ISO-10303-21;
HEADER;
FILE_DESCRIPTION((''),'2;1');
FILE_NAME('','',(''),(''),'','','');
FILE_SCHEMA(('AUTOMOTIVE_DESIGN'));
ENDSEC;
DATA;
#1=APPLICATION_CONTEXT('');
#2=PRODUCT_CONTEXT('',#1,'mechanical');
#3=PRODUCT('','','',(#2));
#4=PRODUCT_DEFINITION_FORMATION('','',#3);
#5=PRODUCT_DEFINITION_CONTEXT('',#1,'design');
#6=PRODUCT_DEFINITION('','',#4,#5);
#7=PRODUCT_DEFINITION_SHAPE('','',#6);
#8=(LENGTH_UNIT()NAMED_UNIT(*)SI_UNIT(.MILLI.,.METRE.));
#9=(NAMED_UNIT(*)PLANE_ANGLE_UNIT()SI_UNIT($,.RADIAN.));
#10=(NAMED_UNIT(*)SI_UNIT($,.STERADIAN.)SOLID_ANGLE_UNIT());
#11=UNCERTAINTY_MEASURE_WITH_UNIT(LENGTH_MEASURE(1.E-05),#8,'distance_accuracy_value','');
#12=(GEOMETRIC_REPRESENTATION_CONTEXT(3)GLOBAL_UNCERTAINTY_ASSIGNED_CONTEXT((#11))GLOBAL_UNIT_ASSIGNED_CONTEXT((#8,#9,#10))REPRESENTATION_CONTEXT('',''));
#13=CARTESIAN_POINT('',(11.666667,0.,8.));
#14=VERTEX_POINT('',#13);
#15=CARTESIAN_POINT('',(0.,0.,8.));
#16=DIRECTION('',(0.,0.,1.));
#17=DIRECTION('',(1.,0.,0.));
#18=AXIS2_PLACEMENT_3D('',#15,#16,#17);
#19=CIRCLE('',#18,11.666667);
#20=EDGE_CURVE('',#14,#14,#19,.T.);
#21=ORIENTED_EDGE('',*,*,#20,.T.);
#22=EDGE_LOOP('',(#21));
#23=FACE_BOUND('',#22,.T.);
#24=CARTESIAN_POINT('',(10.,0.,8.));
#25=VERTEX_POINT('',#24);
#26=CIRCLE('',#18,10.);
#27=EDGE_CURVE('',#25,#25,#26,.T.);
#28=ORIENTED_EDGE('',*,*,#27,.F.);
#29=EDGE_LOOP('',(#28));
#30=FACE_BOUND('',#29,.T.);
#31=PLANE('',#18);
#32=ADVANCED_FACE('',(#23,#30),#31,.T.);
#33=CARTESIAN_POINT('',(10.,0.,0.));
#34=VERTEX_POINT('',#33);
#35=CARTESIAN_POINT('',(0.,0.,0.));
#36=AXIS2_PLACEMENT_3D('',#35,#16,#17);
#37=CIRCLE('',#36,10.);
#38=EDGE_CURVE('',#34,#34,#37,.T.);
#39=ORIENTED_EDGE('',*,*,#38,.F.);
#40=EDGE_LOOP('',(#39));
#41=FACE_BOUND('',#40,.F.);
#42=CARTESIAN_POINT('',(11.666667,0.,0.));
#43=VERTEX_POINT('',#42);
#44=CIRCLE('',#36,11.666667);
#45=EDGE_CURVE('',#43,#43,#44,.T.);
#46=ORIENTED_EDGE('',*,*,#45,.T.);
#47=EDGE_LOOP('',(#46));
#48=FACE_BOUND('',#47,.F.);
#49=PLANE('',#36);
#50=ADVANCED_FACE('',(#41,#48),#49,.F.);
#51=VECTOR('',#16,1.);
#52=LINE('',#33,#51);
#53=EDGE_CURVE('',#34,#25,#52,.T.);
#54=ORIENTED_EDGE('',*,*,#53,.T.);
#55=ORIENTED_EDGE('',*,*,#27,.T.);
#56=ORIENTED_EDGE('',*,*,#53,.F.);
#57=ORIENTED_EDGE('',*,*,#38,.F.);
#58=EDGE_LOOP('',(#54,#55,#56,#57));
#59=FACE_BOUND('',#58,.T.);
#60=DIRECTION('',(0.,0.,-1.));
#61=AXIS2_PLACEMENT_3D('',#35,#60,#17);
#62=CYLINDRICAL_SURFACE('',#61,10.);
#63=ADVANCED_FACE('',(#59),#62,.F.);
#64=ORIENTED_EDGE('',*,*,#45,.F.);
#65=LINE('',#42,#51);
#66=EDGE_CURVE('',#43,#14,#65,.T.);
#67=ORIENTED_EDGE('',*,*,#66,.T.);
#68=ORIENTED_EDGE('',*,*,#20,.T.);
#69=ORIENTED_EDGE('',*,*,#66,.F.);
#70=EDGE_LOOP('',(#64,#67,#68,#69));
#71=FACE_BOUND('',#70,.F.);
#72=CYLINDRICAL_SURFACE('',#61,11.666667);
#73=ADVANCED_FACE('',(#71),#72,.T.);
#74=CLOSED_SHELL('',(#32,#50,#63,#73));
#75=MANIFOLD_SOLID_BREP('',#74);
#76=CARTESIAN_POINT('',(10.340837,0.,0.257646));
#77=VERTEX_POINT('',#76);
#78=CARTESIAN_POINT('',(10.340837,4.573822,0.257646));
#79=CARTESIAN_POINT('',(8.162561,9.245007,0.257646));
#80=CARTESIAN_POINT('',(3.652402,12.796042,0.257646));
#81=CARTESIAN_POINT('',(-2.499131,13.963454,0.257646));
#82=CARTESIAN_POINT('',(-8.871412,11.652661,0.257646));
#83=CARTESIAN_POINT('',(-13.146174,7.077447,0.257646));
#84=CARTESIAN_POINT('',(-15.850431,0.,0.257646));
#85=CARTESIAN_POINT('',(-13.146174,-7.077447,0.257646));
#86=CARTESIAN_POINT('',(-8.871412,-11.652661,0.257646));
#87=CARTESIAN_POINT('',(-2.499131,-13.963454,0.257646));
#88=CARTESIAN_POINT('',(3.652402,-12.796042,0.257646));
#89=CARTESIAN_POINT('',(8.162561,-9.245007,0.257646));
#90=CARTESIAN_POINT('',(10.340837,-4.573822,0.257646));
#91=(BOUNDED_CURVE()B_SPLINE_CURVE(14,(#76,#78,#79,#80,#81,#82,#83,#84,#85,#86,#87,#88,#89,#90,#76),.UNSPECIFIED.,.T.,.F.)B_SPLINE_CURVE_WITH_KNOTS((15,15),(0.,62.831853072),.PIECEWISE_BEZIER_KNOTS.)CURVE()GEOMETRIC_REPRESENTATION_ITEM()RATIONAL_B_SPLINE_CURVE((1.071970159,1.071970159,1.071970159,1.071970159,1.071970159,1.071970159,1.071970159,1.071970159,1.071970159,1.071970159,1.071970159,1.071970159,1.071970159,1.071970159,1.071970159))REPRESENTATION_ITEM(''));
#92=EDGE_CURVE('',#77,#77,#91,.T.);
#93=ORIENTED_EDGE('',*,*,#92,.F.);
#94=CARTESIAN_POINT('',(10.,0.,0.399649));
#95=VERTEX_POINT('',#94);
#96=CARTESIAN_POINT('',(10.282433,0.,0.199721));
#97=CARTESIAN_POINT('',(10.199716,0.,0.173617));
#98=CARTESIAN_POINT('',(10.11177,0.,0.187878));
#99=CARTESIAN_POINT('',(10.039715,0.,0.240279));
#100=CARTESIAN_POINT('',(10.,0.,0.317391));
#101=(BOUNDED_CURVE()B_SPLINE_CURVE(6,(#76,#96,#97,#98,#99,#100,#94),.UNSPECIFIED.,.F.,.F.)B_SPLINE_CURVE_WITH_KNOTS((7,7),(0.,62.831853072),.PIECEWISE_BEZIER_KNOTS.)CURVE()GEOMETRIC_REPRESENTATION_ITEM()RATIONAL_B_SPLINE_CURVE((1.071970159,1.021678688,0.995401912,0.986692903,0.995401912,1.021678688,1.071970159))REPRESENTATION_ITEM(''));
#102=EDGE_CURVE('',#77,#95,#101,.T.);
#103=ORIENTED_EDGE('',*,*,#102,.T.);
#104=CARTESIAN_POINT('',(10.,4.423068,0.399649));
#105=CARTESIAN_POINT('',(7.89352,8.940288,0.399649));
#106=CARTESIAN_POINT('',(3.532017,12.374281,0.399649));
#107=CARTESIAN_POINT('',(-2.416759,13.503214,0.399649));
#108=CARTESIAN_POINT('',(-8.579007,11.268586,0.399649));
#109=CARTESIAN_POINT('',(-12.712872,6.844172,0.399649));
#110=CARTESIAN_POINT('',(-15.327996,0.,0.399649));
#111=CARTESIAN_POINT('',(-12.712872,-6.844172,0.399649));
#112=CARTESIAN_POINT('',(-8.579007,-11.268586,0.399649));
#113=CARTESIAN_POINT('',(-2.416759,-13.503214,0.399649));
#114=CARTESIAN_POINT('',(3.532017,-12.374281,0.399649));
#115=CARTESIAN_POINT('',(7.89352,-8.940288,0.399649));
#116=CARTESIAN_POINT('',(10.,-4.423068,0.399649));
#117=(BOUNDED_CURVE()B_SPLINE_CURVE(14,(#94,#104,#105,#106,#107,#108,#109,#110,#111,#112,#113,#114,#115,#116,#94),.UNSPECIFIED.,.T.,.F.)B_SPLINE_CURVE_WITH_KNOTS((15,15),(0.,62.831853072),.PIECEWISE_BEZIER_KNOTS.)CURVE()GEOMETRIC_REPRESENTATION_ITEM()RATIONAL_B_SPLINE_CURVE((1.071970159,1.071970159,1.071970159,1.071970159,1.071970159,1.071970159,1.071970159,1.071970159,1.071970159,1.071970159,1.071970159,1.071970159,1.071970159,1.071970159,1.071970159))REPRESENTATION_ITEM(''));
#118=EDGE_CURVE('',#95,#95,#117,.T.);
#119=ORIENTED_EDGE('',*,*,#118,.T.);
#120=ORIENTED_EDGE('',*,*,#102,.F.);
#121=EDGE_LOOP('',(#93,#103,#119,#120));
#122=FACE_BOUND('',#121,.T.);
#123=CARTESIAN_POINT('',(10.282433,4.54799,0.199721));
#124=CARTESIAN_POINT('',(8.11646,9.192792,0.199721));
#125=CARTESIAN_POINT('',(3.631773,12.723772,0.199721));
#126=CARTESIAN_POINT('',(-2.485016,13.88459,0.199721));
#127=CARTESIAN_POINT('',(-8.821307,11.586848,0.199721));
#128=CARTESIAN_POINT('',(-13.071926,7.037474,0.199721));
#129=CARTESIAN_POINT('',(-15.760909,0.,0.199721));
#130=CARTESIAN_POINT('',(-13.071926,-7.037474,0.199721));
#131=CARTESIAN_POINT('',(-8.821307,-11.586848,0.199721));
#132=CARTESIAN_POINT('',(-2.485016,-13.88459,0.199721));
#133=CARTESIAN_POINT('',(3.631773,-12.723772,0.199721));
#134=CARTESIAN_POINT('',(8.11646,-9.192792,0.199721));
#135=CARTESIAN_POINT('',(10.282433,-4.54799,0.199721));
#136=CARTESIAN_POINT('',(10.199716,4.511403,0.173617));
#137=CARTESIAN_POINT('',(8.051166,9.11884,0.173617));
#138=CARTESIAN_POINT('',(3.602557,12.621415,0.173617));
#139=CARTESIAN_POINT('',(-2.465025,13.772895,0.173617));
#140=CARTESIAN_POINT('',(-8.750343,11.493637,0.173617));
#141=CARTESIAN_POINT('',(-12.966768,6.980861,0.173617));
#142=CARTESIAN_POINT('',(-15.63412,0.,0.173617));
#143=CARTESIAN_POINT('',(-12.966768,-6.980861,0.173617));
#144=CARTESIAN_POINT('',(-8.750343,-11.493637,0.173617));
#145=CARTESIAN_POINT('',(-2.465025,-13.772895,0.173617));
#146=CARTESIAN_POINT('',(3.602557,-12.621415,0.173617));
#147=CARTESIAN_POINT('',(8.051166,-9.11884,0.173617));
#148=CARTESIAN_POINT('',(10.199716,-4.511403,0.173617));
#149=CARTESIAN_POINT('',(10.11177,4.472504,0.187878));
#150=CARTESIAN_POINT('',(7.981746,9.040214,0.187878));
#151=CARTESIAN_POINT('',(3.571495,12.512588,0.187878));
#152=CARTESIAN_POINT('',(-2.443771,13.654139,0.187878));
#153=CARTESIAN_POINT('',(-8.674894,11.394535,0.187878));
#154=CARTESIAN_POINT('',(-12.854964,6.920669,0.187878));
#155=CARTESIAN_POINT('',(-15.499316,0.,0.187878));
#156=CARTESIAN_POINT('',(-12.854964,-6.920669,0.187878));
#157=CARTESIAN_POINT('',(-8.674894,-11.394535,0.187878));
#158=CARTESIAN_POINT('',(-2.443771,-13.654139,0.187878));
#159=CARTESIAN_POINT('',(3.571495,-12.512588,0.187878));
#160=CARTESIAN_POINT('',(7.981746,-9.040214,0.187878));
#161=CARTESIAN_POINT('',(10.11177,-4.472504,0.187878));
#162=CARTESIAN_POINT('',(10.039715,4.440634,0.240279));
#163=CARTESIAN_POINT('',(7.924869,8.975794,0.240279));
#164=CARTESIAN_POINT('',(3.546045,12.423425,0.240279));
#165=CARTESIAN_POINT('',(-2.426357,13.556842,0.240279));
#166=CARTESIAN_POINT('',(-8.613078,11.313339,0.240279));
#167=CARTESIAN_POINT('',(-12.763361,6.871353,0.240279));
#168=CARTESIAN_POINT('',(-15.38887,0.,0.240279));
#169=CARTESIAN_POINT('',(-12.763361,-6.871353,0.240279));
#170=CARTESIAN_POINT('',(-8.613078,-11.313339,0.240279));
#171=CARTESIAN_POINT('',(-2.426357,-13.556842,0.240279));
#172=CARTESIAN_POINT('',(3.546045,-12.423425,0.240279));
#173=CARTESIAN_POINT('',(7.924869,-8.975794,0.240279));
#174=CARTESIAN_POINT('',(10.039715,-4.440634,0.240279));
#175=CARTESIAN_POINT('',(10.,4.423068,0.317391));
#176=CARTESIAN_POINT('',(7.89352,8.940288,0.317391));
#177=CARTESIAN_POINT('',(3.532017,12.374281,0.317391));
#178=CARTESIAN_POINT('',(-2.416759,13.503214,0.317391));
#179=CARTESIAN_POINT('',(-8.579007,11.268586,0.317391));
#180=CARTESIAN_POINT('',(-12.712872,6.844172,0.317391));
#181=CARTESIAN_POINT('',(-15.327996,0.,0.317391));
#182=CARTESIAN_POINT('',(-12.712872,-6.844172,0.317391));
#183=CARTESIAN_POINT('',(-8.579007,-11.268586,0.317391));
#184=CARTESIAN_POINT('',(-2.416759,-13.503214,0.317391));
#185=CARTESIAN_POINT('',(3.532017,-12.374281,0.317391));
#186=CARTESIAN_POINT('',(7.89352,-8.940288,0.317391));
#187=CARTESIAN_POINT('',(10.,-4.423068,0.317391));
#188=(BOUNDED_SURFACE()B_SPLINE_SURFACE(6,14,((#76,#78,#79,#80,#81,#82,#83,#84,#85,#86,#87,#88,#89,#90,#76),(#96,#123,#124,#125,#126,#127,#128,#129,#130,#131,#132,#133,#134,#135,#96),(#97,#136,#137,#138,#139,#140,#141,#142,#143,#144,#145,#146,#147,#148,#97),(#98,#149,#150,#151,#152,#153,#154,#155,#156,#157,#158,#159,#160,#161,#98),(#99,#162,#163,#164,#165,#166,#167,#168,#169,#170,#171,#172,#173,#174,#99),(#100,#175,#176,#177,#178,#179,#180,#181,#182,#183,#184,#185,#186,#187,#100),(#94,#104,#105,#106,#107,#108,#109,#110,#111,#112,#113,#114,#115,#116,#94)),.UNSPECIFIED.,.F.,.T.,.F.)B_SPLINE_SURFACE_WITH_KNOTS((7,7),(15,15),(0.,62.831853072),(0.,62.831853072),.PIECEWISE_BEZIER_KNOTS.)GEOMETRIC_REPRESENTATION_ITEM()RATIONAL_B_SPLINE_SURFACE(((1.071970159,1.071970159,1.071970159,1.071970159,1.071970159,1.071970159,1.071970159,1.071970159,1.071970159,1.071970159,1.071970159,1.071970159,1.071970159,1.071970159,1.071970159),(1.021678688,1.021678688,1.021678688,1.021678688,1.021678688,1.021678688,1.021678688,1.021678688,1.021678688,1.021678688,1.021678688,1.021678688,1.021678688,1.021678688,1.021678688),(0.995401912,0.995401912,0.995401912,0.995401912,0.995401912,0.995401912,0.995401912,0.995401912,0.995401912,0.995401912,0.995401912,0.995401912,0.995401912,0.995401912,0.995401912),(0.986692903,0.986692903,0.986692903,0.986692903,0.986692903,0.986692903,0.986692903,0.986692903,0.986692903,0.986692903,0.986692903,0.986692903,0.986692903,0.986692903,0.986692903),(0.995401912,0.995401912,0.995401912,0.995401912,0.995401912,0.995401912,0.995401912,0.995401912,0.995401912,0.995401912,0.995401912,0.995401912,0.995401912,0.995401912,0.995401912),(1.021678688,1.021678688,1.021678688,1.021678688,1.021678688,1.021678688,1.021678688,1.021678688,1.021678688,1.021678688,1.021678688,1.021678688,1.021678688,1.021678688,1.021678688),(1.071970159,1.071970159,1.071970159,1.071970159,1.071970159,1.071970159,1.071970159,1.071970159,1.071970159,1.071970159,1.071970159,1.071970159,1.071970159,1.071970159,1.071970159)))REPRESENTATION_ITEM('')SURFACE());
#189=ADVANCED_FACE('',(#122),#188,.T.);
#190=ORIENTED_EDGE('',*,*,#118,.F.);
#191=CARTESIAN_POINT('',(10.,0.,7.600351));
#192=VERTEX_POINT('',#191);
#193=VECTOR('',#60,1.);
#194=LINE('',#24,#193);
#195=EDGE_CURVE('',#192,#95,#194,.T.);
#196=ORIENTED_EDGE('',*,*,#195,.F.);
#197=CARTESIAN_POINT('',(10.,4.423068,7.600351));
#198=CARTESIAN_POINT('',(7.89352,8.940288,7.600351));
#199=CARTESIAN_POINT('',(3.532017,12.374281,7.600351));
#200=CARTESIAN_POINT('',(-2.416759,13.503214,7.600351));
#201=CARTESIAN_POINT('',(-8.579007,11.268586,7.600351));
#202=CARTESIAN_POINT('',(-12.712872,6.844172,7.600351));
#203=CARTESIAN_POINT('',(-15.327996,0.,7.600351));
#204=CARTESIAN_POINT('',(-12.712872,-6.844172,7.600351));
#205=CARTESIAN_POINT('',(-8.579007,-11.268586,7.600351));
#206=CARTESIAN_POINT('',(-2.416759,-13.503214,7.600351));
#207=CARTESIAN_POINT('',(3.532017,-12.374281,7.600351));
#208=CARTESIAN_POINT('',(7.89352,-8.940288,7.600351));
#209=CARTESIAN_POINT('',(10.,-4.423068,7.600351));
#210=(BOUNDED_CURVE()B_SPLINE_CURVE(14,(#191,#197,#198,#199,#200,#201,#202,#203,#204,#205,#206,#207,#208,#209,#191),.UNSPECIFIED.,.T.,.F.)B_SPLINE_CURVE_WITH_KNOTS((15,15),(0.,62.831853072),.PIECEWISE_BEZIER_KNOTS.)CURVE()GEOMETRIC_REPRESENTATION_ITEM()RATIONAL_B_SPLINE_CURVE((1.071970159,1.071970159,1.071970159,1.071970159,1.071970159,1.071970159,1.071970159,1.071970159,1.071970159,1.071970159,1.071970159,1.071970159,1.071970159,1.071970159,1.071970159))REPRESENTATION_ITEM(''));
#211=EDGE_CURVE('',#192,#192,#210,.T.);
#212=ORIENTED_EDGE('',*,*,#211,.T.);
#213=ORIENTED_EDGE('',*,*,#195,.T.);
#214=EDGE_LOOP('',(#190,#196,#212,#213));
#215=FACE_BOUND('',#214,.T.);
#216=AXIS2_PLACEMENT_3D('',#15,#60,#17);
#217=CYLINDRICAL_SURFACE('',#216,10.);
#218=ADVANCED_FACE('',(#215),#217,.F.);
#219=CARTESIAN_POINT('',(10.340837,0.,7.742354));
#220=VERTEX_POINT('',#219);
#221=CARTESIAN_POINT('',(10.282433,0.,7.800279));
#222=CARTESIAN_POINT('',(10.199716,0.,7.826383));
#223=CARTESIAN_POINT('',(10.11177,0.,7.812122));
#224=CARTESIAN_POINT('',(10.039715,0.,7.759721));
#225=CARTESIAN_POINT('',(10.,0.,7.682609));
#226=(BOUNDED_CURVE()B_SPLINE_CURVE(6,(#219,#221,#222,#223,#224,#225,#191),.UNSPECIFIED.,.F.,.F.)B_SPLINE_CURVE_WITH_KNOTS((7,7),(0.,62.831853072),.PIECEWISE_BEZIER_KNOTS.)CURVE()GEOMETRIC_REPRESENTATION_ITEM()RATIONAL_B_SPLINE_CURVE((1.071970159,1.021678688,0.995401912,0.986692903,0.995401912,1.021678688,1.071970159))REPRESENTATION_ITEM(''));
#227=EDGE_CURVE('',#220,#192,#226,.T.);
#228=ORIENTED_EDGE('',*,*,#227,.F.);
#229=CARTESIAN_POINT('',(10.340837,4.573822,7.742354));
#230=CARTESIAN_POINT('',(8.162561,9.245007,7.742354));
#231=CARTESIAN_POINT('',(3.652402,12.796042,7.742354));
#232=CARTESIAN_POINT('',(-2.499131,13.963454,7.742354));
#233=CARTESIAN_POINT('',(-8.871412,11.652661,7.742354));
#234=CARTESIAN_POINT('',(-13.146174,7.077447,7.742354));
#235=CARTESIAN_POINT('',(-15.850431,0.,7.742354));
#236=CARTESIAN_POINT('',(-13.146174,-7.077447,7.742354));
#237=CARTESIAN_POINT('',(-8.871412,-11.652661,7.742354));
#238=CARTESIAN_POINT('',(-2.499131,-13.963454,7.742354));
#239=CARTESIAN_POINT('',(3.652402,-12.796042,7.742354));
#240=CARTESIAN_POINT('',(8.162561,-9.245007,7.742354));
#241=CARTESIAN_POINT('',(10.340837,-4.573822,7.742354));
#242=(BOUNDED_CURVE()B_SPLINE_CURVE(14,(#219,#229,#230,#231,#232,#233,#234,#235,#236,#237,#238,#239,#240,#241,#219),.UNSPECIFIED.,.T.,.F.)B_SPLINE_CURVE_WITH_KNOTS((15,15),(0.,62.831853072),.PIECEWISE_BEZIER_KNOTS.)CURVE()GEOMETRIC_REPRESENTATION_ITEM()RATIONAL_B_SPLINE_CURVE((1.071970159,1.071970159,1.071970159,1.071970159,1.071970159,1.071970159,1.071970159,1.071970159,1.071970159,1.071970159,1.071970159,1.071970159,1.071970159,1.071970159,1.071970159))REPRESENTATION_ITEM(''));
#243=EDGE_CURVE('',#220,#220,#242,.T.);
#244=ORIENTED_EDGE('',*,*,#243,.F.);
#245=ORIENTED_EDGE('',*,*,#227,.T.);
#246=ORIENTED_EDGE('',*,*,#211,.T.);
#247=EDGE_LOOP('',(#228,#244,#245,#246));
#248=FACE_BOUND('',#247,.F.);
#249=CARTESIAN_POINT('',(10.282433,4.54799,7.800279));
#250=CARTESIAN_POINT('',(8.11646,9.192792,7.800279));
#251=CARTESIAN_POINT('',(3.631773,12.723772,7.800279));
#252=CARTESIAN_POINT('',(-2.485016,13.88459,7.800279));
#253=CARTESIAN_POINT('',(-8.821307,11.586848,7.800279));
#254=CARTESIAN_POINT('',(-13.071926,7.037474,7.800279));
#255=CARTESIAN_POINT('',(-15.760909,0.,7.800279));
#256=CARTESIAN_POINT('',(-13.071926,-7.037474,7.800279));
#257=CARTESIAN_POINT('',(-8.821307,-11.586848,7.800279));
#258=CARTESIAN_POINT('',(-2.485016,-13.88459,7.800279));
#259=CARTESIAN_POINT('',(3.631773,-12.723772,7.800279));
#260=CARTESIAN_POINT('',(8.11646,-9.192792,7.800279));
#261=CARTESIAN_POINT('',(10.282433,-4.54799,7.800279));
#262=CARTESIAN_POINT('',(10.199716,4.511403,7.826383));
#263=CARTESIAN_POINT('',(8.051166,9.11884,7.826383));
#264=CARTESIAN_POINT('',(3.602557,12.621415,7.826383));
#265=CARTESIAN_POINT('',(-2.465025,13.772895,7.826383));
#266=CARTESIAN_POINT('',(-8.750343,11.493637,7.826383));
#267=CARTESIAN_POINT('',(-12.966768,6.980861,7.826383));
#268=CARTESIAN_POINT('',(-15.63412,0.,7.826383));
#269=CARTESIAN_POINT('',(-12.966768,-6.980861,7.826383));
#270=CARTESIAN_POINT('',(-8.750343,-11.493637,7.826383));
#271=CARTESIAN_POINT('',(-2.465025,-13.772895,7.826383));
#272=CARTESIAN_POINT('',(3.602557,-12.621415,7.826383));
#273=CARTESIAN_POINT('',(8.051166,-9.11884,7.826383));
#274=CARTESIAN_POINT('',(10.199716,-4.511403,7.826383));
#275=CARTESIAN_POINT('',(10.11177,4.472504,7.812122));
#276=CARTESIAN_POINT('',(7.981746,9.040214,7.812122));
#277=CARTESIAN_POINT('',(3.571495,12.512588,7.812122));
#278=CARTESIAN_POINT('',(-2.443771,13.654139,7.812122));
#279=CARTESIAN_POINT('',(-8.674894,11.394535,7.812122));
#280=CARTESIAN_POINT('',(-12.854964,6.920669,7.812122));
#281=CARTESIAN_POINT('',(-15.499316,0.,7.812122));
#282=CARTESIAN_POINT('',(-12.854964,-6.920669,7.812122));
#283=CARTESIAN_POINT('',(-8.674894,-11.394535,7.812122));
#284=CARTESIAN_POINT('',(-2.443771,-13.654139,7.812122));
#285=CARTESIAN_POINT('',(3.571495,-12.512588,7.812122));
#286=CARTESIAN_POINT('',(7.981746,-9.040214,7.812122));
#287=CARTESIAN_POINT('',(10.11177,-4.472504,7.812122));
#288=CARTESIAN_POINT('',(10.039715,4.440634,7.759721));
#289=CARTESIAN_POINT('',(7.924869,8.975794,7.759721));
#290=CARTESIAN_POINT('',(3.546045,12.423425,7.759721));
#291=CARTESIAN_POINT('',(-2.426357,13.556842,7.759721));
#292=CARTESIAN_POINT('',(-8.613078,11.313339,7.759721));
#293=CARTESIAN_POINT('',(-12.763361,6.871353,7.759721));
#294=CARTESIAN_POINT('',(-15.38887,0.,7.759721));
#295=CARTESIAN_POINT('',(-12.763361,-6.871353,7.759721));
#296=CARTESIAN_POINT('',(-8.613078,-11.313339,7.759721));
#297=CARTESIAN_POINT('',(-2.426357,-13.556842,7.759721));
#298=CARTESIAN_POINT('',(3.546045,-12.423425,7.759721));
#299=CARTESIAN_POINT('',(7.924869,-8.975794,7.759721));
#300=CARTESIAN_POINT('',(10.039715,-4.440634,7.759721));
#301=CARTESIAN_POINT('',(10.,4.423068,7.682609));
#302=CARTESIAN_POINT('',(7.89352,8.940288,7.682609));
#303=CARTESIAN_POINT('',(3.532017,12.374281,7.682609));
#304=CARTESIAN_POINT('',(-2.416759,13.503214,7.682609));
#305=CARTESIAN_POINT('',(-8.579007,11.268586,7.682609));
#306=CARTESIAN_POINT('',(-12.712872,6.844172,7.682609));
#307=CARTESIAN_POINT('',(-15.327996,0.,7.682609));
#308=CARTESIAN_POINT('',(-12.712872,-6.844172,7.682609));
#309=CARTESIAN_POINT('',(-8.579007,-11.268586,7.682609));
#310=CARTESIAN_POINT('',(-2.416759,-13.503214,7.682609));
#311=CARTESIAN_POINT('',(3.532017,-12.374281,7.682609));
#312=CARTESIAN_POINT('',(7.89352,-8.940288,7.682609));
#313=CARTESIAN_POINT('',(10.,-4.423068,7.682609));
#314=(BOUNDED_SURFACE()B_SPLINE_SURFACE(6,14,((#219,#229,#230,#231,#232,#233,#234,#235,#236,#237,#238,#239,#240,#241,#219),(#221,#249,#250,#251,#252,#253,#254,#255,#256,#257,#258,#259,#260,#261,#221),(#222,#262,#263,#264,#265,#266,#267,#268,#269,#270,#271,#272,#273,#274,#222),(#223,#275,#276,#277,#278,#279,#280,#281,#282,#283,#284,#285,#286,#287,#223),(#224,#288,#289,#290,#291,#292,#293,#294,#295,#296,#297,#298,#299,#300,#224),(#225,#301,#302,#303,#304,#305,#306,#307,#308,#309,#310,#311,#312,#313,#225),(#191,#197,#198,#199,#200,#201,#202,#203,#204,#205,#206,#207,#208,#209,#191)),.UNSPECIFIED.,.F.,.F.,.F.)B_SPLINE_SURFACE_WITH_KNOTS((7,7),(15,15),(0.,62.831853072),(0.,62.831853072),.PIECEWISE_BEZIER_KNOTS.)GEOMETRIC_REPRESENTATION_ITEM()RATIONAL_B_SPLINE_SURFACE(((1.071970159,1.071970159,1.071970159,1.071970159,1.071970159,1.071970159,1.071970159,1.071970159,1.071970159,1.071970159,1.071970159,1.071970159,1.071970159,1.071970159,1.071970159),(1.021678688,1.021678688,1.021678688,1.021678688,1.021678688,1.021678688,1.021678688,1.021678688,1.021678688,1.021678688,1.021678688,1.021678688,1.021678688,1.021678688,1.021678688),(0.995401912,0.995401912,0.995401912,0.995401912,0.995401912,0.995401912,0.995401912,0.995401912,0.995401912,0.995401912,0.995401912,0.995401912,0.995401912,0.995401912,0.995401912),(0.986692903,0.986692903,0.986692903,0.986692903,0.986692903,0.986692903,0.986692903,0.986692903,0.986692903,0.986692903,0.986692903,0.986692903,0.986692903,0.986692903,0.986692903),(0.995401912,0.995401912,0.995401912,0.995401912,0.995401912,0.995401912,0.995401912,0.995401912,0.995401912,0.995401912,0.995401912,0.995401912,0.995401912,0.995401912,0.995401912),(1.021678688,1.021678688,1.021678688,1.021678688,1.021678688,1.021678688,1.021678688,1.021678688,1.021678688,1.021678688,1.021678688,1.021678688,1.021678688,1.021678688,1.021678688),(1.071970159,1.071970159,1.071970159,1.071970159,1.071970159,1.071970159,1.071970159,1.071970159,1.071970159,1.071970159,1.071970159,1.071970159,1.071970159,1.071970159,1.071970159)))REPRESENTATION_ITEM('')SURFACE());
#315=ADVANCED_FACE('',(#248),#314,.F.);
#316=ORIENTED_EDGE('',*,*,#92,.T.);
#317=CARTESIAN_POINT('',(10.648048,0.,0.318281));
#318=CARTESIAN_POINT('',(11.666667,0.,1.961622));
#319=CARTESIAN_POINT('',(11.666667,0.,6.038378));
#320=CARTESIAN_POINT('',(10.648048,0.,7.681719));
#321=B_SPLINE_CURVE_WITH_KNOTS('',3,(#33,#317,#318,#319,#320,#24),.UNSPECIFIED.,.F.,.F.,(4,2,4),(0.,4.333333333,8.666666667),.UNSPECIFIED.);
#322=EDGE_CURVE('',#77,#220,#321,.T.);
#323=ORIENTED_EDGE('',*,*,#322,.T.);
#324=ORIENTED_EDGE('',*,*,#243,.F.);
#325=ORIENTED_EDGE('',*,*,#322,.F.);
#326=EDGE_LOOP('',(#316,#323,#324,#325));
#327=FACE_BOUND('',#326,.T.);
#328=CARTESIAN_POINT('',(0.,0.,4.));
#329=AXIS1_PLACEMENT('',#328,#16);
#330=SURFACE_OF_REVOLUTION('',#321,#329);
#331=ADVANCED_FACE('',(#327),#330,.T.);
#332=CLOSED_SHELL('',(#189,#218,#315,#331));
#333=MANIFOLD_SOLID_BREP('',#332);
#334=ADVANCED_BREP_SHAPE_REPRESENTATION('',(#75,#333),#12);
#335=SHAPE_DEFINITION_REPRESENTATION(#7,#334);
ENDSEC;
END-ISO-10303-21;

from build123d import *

# Parameters (mm, degrees)
F0_R     = 11.6666666667
F0_R_2   = 10
F1_DEPTH = 8
F4_R     = 0.2


with BuildPart() as f1:
    # F0 (on Top) → F1 (new body)
    with BuildSketch(Plane.XY):
        Circle(F0_R)
        Circle(F0_R_2, mode=Mode.SUBTRACT)
    extrude(amount=F1_DEPTH)


with BuildPart() as f3:
    # F2 (on Front) → F3 (revolve)
    with BuildSketch(Plane.XZ):
        with BuildLine():
            add(Edge.make_bspline(
                [(10, 8), (10.6480475515, 7.6817194931), (11.6666666667, 6.0383775271), (11.6666666667, 4)],
                knots=[0, 0, 0, 0, 4.3333333333, 4.3333333333, 4.3333333333, 4.3333333333], degree=3))
            Line((10, 8), (10, 0))
            add(Edge.make_bspline(
                [(10, 0), (10.6480475515, 0.3182805069), (11.6666666667, 1.9616224729), (11.6666666667, 4)],
                knots=[0, 0, 0, 0, 4.3333333333, 4.3333333333, 4.3333333333, 4.3333333333], degree=3))
        make_face()
    revolve(axis=Axis((0, 0, 4), (0, 0, 1)))

    # F4
    f4_edges = [f3.edges().sort_by_distance(p)[0] for p in [
        (-10, 0, 0),
        (-10, 0, 8),
    ]]
    fillet(f4_edges, radius=F4_R)


solid = Compound([f1.part, f3.part])
